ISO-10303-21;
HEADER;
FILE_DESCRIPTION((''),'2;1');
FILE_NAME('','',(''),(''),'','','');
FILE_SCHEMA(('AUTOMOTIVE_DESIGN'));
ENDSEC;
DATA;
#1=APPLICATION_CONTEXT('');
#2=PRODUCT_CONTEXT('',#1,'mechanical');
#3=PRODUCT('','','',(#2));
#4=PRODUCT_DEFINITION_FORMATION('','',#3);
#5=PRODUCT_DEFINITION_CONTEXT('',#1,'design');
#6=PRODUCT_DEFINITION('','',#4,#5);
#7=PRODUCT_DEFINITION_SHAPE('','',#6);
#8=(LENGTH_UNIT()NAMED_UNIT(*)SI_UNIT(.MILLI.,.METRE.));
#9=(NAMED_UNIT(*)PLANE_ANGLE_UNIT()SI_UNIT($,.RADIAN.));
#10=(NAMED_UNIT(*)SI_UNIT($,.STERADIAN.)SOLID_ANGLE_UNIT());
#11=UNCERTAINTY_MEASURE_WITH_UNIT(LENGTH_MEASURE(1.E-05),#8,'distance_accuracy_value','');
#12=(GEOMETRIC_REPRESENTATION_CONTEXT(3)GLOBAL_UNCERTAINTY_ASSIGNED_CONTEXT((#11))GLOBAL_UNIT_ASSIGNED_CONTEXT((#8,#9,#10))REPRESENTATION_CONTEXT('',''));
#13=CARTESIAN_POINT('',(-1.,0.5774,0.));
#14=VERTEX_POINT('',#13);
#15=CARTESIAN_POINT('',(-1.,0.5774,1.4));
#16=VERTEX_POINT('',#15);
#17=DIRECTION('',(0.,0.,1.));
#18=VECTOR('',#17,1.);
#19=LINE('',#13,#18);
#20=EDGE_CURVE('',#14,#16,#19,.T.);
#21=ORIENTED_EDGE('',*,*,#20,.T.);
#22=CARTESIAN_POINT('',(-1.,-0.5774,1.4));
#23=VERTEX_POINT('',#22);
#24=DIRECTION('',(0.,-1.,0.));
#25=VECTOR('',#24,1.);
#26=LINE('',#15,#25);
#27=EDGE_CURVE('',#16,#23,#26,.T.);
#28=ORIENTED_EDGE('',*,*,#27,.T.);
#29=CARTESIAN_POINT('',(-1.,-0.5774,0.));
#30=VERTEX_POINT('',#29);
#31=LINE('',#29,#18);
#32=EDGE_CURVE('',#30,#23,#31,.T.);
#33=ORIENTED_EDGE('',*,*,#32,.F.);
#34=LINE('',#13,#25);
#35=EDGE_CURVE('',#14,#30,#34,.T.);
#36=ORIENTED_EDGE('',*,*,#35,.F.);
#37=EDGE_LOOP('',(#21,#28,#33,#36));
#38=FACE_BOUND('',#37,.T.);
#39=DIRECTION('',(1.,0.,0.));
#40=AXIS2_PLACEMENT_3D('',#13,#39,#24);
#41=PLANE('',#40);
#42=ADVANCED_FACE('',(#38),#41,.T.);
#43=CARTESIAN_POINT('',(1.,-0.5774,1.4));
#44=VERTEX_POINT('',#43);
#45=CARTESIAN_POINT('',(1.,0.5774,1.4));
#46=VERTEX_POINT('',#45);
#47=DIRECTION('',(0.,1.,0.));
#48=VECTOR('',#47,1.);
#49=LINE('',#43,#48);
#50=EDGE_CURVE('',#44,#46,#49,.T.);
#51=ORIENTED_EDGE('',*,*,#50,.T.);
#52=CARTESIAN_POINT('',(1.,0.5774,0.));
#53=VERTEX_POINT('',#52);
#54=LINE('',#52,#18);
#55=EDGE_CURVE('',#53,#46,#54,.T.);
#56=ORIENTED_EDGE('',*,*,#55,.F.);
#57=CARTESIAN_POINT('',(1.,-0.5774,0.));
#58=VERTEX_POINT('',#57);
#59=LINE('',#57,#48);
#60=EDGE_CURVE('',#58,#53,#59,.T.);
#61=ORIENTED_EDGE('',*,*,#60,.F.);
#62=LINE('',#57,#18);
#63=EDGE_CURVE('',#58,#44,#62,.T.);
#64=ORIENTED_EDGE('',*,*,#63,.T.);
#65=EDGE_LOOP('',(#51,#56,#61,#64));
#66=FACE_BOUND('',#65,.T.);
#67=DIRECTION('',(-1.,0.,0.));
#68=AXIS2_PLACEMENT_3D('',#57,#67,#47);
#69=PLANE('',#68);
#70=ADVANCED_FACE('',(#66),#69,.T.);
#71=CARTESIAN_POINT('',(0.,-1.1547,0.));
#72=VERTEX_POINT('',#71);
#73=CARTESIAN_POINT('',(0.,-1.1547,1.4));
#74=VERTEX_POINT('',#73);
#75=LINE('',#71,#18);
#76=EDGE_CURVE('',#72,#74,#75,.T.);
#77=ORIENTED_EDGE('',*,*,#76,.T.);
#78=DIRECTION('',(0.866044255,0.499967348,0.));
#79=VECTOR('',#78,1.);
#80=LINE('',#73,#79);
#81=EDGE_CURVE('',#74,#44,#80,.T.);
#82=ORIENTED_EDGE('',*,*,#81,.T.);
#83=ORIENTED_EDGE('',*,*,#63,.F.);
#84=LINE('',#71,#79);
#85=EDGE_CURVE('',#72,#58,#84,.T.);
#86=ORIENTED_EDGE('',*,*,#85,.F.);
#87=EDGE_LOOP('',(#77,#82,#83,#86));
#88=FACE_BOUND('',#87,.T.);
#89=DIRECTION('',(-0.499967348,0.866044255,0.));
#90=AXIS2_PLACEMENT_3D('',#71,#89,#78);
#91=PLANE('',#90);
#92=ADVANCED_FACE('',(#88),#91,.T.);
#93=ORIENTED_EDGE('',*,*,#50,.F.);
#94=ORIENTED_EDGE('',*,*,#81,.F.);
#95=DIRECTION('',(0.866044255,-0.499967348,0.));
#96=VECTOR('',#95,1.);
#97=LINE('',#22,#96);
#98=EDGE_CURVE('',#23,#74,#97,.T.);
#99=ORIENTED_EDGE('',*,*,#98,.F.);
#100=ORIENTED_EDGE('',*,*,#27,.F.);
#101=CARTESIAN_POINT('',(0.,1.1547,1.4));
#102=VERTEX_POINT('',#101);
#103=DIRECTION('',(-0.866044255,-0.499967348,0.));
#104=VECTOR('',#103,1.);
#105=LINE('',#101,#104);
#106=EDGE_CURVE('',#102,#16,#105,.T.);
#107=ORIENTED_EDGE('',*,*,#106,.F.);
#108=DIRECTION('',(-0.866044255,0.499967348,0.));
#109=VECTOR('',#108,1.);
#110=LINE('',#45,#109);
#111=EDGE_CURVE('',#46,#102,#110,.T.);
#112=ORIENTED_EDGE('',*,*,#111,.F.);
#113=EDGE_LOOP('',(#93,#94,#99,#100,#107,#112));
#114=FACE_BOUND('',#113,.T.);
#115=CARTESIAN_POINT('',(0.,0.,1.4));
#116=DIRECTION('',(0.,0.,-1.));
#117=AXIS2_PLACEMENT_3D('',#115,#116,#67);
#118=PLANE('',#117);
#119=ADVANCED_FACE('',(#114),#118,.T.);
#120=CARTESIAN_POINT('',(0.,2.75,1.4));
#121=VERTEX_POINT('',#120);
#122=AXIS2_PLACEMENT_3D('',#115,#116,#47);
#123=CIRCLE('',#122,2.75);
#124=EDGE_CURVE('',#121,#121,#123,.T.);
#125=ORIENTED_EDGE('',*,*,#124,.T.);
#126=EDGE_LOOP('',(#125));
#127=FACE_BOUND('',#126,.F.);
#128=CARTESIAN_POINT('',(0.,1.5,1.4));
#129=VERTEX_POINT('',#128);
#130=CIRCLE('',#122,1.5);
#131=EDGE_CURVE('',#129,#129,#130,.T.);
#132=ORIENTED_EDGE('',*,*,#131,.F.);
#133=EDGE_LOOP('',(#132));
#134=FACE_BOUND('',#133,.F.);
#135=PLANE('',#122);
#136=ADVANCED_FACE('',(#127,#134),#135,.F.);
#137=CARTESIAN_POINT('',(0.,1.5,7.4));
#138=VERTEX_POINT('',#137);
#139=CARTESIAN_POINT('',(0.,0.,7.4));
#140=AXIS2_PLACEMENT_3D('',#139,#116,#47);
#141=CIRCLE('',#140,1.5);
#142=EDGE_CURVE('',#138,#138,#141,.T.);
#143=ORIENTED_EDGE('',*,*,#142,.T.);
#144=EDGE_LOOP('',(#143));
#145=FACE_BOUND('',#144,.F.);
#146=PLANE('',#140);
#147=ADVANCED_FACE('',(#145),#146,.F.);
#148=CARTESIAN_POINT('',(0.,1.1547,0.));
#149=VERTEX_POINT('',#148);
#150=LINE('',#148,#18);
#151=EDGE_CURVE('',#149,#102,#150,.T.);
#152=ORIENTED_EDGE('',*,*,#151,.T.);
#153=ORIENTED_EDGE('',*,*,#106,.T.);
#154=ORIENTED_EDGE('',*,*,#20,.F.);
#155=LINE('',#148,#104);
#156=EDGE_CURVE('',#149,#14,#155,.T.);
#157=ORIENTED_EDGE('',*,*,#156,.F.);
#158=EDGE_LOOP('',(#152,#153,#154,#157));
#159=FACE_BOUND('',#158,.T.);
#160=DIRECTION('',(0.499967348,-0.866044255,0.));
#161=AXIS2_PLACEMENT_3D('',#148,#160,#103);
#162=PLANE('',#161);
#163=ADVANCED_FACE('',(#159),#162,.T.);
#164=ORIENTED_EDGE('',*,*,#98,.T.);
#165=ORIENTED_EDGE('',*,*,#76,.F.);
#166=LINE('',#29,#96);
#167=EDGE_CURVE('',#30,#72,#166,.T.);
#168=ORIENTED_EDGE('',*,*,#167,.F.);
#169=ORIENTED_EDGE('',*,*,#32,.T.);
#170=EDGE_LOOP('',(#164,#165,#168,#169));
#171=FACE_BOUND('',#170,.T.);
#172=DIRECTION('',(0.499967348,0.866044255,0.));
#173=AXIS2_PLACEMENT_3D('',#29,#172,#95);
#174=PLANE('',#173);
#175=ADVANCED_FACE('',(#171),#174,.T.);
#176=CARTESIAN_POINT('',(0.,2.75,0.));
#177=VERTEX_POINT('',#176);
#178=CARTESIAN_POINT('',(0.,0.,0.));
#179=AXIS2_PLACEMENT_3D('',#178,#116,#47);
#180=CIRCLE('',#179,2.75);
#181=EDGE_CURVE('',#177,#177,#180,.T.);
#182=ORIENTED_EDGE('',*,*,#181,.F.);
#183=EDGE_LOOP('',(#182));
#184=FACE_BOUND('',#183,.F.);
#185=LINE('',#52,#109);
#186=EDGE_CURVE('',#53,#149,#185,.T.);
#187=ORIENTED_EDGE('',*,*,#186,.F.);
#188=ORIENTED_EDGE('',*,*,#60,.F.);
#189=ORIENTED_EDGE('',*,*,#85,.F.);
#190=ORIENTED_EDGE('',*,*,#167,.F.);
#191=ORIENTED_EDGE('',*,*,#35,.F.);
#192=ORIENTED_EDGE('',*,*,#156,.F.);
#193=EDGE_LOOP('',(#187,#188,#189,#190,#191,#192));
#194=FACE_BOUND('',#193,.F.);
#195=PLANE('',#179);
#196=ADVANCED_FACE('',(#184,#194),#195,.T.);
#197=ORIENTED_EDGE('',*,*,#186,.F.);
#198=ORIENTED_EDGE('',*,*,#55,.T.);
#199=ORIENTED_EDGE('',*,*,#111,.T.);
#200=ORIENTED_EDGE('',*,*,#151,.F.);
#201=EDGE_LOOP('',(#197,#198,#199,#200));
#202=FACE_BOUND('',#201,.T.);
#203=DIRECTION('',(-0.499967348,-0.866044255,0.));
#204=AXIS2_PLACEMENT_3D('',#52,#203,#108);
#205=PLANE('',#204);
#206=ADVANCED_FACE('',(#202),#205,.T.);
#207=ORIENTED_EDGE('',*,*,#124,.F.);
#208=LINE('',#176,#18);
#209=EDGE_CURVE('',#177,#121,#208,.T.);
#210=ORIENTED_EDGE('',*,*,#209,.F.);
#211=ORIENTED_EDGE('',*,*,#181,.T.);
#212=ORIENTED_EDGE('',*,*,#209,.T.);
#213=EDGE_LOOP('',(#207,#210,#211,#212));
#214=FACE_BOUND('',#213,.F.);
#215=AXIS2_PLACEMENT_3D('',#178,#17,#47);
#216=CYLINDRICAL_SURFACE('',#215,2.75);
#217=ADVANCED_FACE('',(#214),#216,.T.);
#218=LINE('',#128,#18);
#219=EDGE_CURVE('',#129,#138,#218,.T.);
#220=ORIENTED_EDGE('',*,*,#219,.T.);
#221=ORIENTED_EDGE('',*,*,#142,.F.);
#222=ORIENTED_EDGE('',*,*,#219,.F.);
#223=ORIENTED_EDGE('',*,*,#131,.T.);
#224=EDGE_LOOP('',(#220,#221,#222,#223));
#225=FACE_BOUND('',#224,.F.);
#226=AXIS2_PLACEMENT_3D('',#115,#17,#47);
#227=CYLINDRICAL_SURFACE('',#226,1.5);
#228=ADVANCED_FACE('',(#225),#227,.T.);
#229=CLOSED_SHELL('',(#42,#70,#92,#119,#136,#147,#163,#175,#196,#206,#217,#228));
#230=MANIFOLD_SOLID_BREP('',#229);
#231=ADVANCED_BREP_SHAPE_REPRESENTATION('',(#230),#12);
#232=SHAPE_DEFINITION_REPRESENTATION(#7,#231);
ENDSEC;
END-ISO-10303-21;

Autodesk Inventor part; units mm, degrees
ref_plane "YZ Plane" through (0, 0, 0) normal (1, 0, 0) x (0, 1, 0)
ref_plane "XZ Plane" through (0, 0, 0) normal (0, 1, 0) x (-1, 0, 0)
ref_plane "XY Plane" through (0, 0, 0) normal (0, 0, 1) x (1, 0, 0)
sketch "スケッチ1" plane through (0, 0, 0) normal (1, 0, 0) x (0, 1, 0)
  line L0 (0, 7.4) -> (0, 0)
  line L1 (0, 0) -> (2.75, 0)
  line L2 (2.75, 0) -> (2.75, 1.4)
  line L3 (2.75, 1.4) -> (1.5, 1.4)
  line L4 (1.5, 1.4) -> (1.5, 7.4)
  line L5 (1.5, 7.4) -> (0, 7.4)
  dimension "d1" = 1.5
  dimension "d2" = 1.4
  dimension "d3" = 2.75
  dimension "d10" = 6
revolve "回転1" add sketch "スケッチ1" angle 360 about axis through (0, 0, 7.4) along (0, 0, -1)
thread "ねじ1" size "M3x0.5" class "6g" standard "ANSI Metric M Profile" full length
sketch "スケッチ2" plane through (0, 0, 0) normal (0, 0, -1) x (-1, 0, 0)
  line L0 (0, 1.1547) -> (1, 0.5774)
  line L1 (1, 0.5774) -> (1, -0.5774)
  line L2 (1, -0.5774) -> (0, -1.1547)
  line L3 (0, -1.1547) -> (-1, -0.5774)
  line L4 (-1, -0.5774) -> (-1, 0.5774)
  line L5 (-1, 0.5774) -> (0, 1.1547)
  circle A0 centre (0, 0) radius 2.75 projected
  line L6 (0, 2.75) -> (0, -2.75) construction
  point P0 (0, 0)
  dimension "d7" = 2
extrude "押し出し1" cut sketch "スケッチ2" against normal blind 1.4 contours L0 L1 L2 L3 L4 L5
properties part number "M3-6" material "ステンレス鋼 AISI 304"
